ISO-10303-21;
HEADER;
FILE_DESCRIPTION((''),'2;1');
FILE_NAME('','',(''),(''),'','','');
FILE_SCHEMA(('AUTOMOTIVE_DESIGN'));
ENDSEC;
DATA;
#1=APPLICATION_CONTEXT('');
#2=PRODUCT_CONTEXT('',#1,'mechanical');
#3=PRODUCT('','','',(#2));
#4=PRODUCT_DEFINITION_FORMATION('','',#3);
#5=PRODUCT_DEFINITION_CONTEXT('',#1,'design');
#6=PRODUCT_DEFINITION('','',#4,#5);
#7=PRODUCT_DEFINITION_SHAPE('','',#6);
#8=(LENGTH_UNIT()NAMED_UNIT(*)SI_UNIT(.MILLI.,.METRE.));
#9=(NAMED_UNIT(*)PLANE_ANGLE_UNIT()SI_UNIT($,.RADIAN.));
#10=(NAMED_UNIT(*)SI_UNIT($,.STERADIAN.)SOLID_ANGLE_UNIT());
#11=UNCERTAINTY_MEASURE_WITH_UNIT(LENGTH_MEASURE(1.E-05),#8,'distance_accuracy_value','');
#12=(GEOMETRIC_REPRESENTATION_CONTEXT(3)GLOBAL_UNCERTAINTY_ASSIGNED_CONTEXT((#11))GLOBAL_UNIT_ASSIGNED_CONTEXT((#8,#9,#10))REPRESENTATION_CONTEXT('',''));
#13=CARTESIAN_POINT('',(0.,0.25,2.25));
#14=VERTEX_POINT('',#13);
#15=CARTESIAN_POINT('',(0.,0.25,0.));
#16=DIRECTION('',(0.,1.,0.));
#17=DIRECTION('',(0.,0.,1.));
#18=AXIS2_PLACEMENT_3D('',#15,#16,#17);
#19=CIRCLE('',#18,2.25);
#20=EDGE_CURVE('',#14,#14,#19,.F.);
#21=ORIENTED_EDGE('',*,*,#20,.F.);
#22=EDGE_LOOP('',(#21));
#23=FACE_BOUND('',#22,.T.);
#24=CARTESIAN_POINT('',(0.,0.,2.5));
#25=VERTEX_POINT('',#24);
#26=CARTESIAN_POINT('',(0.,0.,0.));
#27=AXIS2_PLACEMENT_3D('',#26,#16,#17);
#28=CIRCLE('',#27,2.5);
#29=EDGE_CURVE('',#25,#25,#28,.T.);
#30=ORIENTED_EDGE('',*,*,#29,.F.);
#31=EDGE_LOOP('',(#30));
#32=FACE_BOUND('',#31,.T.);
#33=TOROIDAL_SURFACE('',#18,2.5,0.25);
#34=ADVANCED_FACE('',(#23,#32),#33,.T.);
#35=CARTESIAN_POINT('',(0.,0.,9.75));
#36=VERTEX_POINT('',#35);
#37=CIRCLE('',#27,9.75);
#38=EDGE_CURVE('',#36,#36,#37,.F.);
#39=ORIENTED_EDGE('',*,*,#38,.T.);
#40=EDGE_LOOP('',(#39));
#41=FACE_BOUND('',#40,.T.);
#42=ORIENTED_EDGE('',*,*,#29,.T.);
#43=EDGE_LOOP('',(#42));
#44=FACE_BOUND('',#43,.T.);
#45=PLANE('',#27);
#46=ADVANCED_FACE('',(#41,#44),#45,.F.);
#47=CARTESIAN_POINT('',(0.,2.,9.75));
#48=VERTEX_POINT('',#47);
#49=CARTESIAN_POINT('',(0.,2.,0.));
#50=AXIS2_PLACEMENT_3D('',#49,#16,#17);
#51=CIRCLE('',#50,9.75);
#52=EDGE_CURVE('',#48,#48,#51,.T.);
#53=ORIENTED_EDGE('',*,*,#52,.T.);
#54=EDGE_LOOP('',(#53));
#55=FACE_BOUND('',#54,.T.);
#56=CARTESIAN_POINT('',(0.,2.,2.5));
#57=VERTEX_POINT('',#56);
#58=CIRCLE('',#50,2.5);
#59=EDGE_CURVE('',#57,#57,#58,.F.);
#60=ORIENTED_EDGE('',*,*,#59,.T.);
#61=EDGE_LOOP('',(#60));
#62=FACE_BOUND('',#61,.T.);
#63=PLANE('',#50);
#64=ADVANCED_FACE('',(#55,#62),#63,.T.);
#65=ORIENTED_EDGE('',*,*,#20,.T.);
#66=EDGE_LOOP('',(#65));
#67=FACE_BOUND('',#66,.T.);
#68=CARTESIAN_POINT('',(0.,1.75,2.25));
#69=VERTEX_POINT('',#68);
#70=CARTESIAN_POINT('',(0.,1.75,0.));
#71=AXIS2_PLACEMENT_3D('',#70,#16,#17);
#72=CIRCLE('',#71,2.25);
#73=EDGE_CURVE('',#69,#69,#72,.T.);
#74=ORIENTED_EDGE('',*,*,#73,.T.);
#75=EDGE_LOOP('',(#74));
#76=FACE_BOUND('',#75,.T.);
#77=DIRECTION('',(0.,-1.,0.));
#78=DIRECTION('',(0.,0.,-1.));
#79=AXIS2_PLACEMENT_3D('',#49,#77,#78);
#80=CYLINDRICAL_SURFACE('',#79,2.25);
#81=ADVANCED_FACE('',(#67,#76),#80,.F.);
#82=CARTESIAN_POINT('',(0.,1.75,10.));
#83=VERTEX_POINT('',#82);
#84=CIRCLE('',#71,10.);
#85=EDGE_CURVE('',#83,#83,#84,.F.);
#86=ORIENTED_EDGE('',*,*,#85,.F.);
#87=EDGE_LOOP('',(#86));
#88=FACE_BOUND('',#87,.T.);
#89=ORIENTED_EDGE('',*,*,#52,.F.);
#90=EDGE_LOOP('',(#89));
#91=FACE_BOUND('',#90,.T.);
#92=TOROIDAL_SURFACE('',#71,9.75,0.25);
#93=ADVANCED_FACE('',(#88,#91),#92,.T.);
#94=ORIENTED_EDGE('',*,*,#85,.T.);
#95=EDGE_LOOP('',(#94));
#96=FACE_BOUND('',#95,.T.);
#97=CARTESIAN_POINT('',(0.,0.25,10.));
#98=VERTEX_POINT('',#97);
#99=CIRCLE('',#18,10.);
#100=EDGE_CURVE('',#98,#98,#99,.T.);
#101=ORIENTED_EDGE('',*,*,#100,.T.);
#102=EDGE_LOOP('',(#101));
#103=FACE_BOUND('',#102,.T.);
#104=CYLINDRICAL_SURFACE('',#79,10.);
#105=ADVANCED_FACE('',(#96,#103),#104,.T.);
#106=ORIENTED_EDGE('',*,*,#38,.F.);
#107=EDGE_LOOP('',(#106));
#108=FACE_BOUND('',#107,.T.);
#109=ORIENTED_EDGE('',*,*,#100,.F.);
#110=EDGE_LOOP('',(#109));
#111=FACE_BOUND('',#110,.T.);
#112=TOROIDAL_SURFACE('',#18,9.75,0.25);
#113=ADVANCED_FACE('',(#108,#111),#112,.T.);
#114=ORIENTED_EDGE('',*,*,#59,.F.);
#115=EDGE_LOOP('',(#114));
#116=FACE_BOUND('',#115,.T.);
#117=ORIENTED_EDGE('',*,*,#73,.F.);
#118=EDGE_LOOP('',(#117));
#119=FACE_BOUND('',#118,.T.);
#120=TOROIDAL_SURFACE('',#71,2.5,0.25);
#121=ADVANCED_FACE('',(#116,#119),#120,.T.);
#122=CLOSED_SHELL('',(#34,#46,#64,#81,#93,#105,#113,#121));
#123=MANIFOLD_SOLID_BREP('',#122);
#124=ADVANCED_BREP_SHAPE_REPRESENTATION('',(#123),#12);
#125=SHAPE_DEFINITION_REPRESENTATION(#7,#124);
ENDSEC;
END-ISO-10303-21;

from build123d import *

# Parameters (mm, degrees)
SKETCH1_R           = 10
SKETCH1_R_2         = 2.25
BOSS_EXTRUDE1_DEPTH = 2
FILLET1_R           = 0.25


with BuildPart() as part:
    # Sketch1 → Boss-Extrude1 (new body)
    with BuildSketch(Plane(origin=(0, 0, 0), x_dir=(1, 0, 0), z_dir=(0, 1, 0))):
        with Locations(Location((0, 0, 0), (0, 0, 270))):
            Circle(SKETCH1_R)
        with Locations(Location((0, 0, 0), (0, 0, 270))):
            Circle(SKETCH1_R_2, mode=Mode.SUBTRACT)
    extrude(amount=BOSS_EXTRUDE1_DEPTH)

    # Fillet1
    fillet1_edges = [part.edges().sort_by_distance(p)[0] for p in [
        (0, 0, -10),
        (0, 2, -10),
        (0, 0, -2.25),
        (0, 2, -2.25),
    ]]
    fillet(fillet1_edges, radius=FILLET1_R)


solid = part.part
